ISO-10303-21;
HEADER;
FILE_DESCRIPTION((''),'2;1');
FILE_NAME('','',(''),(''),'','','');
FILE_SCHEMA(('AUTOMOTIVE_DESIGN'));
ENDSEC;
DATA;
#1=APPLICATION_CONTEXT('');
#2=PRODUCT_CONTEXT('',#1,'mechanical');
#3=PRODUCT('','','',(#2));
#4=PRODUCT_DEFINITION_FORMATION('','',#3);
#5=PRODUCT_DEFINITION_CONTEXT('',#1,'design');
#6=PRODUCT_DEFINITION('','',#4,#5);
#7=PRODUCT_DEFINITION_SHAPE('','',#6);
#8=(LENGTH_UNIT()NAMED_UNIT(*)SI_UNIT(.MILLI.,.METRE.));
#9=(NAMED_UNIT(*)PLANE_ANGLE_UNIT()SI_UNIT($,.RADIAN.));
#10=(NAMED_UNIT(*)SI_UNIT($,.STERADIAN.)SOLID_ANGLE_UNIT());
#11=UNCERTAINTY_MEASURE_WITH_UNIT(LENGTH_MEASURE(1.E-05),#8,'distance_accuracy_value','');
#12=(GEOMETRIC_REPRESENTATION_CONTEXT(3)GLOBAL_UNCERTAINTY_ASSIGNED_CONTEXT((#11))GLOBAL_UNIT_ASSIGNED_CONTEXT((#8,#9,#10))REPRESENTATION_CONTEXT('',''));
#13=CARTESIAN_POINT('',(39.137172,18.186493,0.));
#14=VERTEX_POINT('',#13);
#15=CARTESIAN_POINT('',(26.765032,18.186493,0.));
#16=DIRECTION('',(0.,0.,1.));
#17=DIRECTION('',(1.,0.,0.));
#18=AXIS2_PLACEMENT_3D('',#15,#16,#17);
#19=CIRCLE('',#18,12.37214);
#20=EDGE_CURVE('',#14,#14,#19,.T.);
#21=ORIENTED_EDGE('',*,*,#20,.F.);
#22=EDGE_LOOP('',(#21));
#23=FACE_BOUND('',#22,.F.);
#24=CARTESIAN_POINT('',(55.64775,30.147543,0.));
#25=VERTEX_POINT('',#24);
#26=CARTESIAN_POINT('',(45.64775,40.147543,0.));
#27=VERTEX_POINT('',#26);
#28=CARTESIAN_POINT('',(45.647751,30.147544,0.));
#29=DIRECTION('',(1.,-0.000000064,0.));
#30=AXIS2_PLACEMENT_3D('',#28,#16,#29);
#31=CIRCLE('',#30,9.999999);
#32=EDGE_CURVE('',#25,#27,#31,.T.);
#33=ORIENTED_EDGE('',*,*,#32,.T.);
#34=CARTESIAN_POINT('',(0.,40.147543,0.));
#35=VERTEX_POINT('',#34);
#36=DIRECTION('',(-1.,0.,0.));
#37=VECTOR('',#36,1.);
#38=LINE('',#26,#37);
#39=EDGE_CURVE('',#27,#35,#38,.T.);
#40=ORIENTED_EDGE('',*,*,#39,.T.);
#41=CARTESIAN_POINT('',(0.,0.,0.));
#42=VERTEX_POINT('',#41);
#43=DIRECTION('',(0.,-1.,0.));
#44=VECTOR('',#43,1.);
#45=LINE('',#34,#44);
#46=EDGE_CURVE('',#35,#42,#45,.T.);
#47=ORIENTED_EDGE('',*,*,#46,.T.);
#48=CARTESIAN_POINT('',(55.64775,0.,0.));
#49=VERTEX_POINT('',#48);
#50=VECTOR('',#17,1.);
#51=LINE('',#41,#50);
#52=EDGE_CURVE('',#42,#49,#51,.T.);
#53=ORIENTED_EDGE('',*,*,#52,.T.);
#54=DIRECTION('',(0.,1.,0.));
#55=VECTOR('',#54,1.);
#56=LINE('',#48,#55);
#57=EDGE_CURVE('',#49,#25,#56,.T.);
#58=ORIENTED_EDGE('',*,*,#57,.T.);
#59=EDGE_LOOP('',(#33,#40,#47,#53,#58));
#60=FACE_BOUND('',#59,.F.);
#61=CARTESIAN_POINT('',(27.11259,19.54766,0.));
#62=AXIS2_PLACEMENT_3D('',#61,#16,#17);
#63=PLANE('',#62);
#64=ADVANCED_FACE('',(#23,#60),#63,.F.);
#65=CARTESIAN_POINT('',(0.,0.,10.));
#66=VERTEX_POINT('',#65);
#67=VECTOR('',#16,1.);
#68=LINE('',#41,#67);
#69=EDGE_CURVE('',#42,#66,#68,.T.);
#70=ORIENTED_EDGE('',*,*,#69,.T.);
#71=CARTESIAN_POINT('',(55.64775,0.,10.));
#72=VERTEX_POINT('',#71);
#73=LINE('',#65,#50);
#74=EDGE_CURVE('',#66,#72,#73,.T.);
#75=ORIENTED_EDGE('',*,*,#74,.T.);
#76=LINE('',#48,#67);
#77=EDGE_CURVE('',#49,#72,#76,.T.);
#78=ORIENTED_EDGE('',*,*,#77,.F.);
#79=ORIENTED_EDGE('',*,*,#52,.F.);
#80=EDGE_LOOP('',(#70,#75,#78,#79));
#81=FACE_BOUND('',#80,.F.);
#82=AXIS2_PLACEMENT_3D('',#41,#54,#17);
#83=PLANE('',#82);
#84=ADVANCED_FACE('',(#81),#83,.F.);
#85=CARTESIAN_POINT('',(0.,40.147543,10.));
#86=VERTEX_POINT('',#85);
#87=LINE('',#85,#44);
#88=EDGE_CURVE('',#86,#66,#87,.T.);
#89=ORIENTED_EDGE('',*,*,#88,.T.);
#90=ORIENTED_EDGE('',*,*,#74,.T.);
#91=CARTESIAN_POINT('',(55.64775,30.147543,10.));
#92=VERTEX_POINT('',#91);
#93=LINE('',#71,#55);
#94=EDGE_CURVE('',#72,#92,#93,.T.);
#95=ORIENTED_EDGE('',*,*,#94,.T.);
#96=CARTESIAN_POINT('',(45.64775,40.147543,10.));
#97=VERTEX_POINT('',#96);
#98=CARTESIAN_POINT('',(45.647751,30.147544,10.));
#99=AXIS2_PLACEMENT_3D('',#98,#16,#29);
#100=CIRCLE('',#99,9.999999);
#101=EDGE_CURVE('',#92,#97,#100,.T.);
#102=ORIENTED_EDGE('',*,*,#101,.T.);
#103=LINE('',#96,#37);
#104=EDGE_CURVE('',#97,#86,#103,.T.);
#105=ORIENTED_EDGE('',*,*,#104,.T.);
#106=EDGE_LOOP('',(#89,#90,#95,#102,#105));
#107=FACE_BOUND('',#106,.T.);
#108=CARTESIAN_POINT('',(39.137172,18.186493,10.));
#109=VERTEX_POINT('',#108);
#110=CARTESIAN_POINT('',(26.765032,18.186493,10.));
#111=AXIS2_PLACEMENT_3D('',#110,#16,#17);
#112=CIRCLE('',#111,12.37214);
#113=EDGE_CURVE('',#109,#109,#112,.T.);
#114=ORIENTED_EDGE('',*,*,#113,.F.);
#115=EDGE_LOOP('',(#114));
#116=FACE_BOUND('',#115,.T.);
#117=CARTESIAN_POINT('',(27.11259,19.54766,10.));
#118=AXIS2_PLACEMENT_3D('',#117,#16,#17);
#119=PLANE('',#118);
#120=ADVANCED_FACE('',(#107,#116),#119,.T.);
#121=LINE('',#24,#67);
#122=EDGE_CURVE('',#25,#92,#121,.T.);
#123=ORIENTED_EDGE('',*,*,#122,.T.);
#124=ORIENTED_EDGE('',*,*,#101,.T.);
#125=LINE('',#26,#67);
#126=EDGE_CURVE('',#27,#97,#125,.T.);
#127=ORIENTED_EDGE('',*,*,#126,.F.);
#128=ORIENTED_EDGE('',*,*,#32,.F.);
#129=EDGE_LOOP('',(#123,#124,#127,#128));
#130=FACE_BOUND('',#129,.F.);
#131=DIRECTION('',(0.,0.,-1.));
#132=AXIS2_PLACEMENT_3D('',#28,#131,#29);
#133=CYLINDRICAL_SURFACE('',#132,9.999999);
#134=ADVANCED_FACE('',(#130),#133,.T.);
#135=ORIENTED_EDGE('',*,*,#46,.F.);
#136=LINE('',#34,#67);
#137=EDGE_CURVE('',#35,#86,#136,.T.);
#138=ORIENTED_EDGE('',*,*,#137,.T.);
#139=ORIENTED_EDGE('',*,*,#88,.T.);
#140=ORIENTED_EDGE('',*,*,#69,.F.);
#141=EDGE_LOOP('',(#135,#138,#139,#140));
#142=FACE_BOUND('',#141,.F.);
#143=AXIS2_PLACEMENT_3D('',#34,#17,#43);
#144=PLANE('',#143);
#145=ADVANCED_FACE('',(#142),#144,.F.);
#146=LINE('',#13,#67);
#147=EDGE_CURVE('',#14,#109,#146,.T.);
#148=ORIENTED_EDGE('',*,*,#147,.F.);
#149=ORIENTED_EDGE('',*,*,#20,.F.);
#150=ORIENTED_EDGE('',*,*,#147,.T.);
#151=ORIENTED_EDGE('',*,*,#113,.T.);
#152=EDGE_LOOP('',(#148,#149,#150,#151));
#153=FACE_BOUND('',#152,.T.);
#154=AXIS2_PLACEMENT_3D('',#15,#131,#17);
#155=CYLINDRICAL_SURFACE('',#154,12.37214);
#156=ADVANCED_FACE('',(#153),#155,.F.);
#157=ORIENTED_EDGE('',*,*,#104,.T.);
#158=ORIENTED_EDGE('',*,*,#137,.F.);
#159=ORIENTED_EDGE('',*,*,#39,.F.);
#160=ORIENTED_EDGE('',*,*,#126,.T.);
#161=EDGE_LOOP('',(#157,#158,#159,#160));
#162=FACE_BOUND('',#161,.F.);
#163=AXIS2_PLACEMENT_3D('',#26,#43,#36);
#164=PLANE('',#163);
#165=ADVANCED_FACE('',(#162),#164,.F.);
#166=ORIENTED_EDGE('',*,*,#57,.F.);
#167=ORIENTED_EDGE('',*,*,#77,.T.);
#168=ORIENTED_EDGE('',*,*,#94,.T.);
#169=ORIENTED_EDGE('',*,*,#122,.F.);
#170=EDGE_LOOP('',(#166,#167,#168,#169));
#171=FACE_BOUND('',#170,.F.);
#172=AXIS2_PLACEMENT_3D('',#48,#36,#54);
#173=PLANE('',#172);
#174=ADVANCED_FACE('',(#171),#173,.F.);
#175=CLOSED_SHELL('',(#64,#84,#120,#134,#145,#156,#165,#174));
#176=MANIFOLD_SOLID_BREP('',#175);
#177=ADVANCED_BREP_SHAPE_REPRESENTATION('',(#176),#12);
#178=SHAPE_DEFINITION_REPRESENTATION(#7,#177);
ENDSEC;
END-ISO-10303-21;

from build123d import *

# Parameters (mm, degrees)
F0_R     = 12.37214
F1_DEPTH = 10


with BuildPart() as f1:
    # F0 (on Top) → F1 (new body)
    with BuildSketch(Plane.XY):
        with BuildLine():
            Line((0, 40.147543), (0, 0))
            Line((0, 0), (55.64775, 0))
            Line((55.64775, 0), (55.64775, 30.147543))
            ThreePointArc((55.64775, 30.147543), (52.718818, 37.218611), (45.64775, 40.147543))
            Line((45.64775, 40.147543), (0, 40.147543))
        make_face()
        with Locations((26.765032, 18.186493)):
            Circle(F0_R, mode=Mode.SUBTRACT)
    extrude(amount=F1_DEPTH)


solid = f1.part
